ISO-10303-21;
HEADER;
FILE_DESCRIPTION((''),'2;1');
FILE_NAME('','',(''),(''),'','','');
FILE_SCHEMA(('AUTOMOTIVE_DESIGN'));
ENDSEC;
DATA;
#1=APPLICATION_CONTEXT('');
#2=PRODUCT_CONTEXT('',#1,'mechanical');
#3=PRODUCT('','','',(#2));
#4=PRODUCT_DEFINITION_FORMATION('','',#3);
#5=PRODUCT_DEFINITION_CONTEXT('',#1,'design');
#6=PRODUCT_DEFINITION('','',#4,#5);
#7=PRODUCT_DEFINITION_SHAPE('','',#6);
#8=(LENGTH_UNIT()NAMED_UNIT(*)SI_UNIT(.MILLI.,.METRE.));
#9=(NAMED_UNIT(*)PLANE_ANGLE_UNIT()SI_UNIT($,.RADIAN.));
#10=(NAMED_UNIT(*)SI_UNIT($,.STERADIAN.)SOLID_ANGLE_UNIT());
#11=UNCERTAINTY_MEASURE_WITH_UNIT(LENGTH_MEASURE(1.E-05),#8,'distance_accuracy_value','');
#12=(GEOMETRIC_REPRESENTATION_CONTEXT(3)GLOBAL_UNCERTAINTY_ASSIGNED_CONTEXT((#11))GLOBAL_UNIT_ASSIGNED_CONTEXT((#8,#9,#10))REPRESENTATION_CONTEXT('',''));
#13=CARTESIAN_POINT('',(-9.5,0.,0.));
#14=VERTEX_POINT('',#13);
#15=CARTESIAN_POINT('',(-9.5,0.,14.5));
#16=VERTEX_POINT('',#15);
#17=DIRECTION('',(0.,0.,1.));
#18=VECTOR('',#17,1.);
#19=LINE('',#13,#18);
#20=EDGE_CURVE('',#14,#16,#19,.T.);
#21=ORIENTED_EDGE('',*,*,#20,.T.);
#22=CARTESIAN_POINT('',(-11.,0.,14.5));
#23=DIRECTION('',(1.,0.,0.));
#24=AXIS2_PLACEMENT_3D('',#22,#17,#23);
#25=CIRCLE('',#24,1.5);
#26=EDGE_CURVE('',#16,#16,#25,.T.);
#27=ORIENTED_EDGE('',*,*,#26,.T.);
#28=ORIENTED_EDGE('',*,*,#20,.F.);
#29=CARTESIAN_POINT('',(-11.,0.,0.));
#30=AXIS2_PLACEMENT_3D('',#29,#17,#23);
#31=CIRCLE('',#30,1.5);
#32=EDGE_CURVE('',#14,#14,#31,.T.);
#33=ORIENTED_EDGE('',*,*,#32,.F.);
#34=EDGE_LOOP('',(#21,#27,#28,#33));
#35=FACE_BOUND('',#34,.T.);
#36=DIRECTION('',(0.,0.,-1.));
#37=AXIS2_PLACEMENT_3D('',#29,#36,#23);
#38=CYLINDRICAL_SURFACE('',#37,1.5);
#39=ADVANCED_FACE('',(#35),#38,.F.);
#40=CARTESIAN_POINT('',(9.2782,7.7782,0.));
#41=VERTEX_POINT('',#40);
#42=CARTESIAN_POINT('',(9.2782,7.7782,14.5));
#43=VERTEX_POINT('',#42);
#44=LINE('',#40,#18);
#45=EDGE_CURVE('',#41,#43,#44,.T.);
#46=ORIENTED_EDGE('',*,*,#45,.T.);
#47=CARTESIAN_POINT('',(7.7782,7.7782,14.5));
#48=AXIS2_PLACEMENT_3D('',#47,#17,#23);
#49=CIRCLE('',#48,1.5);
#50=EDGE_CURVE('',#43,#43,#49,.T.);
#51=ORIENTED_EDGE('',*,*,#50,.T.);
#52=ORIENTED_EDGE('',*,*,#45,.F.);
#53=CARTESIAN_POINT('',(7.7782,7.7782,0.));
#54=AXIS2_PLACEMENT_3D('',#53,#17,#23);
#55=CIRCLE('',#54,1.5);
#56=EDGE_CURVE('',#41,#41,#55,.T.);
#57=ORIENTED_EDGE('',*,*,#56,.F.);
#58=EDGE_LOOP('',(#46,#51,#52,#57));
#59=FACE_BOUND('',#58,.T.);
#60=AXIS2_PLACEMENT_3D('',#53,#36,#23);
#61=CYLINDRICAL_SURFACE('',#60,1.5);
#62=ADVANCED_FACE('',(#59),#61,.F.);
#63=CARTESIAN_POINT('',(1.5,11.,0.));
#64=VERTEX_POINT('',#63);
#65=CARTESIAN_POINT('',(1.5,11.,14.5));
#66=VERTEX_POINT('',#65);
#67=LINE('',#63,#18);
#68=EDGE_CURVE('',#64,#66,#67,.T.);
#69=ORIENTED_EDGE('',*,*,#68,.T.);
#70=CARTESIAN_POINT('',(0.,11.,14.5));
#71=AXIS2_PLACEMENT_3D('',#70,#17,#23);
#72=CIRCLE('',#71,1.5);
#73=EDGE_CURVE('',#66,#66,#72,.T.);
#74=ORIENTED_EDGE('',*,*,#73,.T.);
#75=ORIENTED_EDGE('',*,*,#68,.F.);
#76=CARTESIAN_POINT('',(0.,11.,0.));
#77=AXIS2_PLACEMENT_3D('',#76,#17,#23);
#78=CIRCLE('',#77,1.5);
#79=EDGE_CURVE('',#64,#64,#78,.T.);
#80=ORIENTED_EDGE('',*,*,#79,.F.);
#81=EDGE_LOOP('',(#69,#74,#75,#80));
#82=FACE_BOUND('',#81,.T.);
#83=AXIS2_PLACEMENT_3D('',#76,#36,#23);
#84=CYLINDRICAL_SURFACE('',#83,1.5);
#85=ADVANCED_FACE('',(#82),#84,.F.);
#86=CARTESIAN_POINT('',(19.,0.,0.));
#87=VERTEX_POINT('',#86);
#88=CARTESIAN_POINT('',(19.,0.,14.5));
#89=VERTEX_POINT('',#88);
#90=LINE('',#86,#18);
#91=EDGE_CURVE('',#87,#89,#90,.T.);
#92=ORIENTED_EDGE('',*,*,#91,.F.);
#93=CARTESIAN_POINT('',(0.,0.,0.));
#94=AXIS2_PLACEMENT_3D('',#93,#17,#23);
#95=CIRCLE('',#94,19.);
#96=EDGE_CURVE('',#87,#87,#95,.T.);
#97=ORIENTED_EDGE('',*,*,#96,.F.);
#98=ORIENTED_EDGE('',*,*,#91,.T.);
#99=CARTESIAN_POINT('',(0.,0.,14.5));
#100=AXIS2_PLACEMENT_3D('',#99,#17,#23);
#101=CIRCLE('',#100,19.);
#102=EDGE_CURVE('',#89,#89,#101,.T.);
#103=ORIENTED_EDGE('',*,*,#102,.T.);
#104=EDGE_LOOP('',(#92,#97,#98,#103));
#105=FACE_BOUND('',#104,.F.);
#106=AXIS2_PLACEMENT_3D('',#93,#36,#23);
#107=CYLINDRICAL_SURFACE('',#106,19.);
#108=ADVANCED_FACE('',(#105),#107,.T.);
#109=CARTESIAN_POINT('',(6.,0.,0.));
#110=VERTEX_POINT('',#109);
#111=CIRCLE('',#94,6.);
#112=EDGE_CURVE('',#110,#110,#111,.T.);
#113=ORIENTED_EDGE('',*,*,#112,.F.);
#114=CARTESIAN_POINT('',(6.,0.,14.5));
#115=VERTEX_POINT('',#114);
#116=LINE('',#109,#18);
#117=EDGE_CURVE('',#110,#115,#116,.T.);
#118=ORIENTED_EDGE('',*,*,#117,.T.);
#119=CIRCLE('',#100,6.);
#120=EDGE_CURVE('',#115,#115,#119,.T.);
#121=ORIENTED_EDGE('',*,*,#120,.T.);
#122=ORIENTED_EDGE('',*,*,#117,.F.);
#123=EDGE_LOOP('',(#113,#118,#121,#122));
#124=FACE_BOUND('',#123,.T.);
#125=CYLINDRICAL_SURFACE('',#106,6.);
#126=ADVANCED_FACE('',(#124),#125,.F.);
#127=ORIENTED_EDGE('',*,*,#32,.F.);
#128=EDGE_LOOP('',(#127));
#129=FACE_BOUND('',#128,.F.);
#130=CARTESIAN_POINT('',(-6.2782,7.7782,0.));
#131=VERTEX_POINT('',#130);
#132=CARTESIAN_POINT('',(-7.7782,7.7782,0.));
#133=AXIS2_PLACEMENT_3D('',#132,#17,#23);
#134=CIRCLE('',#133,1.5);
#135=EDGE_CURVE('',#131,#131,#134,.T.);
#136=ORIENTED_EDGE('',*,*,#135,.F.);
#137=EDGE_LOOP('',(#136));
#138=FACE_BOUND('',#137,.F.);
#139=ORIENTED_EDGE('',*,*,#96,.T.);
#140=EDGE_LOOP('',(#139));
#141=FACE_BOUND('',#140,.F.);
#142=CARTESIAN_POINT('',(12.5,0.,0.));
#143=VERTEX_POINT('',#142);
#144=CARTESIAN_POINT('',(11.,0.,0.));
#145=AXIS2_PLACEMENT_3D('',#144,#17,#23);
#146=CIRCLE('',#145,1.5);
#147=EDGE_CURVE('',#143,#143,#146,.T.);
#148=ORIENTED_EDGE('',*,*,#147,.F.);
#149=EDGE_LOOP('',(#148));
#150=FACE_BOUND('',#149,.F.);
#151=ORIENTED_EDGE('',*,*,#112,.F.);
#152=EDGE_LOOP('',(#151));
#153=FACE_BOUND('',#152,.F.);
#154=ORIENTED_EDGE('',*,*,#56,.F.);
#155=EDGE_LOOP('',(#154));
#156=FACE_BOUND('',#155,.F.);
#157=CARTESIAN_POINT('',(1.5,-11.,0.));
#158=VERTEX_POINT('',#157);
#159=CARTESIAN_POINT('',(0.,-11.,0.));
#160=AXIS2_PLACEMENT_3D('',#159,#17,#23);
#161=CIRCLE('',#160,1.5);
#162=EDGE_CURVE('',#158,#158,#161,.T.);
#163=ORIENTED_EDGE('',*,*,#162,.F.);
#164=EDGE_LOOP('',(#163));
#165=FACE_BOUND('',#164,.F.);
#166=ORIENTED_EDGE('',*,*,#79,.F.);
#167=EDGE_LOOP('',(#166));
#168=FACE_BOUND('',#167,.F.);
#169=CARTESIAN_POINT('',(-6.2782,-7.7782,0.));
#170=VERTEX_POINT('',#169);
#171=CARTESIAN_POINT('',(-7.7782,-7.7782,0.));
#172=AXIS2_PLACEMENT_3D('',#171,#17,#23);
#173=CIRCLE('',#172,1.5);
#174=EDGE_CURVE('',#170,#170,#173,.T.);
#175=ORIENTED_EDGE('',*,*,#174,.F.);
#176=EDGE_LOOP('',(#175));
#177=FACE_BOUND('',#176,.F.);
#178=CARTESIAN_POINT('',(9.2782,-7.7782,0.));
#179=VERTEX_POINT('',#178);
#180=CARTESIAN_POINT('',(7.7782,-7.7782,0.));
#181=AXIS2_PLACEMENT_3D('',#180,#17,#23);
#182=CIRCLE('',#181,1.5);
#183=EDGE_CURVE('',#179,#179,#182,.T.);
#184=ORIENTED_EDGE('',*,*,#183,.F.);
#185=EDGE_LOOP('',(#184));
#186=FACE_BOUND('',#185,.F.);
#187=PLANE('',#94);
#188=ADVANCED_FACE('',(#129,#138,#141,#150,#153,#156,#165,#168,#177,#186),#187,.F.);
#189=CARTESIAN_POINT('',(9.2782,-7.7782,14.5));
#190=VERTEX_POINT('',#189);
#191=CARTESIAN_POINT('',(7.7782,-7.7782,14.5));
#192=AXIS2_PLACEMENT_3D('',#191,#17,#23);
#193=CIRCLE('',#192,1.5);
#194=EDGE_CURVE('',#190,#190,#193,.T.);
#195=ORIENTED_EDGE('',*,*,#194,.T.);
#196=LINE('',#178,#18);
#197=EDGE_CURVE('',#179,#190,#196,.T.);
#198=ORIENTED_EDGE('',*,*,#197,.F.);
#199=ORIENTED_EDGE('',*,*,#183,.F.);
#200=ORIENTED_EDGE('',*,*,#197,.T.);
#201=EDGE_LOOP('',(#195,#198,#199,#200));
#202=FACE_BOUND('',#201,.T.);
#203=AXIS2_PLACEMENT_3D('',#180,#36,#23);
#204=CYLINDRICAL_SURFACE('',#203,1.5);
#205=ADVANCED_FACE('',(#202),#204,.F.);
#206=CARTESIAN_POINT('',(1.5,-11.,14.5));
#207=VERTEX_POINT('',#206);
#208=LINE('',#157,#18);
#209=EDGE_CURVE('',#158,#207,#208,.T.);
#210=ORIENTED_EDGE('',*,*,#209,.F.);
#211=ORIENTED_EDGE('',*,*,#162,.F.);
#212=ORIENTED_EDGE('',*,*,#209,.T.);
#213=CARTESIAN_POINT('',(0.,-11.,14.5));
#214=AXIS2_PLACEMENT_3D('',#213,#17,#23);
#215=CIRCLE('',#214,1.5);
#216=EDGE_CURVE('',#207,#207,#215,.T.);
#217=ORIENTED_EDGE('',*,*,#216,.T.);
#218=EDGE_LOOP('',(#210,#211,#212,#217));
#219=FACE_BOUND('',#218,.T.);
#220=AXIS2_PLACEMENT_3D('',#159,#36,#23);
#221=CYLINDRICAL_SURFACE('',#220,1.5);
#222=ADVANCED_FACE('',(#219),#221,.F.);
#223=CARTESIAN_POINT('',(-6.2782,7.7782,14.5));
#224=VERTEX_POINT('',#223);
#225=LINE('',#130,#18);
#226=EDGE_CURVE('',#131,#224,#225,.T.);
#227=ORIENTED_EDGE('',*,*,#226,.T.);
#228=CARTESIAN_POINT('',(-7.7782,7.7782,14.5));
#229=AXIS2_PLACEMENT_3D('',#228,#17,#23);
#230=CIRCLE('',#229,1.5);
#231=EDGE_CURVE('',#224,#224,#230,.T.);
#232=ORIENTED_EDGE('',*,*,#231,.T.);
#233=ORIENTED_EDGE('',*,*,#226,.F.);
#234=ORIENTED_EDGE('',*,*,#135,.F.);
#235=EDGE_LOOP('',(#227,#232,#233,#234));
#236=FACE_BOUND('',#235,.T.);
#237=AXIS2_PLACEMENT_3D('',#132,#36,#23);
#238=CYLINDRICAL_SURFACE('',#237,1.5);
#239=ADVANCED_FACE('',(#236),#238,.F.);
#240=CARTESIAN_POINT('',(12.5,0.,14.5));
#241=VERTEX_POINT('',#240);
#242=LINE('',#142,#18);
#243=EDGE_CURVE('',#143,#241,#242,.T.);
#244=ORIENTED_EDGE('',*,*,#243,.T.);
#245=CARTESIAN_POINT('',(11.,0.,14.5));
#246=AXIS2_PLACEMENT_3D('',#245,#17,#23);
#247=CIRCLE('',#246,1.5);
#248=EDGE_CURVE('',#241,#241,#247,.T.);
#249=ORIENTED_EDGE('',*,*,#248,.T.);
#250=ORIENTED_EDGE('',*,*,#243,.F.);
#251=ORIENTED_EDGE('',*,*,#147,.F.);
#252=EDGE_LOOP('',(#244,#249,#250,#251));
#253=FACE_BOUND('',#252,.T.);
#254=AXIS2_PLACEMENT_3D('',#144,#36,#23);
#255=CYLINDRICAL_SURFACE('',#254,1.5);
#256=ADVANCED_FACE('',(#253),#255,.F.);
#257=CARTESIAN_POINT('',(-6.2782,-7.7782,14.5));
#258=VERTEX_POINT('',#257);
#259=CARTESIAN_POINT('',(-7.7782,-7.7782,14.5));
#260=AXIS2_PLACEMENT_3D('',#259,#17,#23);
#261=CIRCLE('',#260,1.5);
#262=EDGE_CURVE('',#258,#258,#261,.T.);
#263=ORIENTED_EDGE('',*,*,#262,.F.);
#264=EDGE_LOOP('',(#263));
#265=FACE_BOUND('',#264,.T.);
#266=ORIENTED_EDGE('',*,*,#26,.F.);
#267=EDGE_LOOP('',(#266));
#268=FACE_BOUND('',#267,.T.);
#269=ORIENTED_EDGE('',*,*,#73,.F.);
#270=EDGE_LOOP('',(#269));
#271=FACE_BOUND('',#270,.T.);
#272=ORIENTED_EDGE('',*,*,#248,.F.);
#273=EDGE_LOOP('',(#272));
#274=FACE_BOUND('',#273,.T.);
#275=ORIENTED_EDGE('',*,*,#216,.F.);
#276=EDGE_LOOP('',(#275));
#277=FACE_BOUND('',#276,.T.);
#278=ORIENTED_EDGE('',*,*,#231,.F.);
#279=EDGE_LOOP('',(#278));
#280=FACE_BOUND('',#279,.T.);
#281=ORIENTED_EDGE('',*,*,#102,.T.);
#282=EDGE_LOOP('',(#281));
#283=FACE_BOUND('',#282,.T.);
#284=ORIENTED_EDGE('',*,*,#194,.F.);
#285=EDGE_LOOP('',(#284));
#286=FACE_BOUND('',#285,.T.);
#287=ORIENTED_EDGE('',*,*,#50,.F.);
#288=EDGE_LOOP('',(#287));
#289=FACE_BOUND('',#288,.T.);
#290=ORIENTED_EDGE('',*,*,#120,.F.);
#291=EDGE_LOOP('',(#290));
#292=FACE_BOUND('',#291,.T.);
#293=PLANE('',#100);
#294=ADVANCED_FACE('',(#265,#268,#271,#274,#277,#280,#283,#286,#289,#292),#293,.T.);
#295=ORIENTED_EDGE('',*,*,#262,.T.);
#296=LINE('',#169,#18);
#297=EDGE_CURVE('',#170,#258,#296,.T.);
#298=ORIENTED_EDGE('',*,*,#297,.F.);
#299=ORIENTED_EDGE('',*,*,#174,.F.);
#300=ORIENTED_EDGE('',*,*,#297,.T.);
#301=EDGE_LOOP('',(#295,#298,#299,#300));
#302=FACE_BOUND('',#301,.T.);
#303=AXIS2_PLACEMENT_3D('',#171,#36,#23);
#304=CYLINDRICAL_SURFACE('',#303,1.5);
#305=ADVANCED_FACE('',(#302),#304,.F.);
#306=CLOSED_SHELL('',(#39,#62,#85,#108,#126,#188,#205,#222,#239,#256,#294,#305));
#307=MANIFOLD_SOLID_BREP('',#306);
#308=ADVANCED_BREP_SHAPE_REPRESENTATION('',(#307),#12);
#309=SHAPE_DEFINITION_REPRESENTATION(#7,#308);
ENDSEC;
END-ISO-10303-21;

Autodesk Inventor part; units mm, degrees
ref_plane "YZ Plane" through (0, 0, 0) normal (1, 0, 0) x (0, 1, 0)
ref_plane "XZ Plane" through (0, 0, 0) normal (0, 1, 0) x (-1, 0, 0)
ref_plane "XY Plane" through (0, 0, 0) normal (0, 0, 1) x (1, 0, 0)
sketch "Sketch1" plane through (0, 0, 0) normal (0, 0, 1) x (1, 0, 0)
  line L0 (-13, -11) -> (13, -11) construction
  circle A0 centre (0, 0) radius 13.8 construction
  circle A1 centre (0, 0) radius 5 construction
  circle A2 centre (0, -11) radius 1.2813 construction
  circle A3 centre (-7.7782, -7.7782) radius 1.2813 construction
  circle A4 centre (-11, 0) radius 1.2813 construction
  circle A5 centre (-7.7782, 7.7782) radius 1.2813 construction
  circle A6 centre (0, 11) radius 1.2813 construction
  circle A7 centre (7.7782, 7.7782) radius 1.2813 construction
  circle A8 centre (11, 0) radius 1.2813 construction
  circle A9 centre (7.7782, -7.7782) radius 1.2813 construction
  circle A10 centre (0, -8) radius 1.2 construction
  circle A11 centre (-8, 0) radius 1.2 construction
  circle A12 centre (0, 8) radius 1.2 construction
  circle A13 centre (8, 0) radius 1.2 construction
  circle A14 centre (0, -11) radius 1.5
  circle A15 centre (7.7782, -7.7782) radius 1.5
  circle A16 centre (11, 0) radius 1.5
  circle A17 centre (7.7782, 7.7782) radius 1.5
  circle A18 centre (0, 11) radius 1.5
  circle A19 centre (-7.7782, 7.7782) radius 1.5
  circle A20 centre (-11, 0) radius 1.5
  circle A21 centre (-7.7782, -7.7782) radius 1.5
  circle A22 centre (0, 0) radius 6
  circle A23 centre (0, 0) radius 19
  dimension "d0" = 3
  dimension "d3" = 360
  dimension "d5" = 12
  dimension "d6" = 38
extrude "Extrusion1" add sketch "Sketch1" along normal blind 14.5
properties part number "motor_horn_spacer"
